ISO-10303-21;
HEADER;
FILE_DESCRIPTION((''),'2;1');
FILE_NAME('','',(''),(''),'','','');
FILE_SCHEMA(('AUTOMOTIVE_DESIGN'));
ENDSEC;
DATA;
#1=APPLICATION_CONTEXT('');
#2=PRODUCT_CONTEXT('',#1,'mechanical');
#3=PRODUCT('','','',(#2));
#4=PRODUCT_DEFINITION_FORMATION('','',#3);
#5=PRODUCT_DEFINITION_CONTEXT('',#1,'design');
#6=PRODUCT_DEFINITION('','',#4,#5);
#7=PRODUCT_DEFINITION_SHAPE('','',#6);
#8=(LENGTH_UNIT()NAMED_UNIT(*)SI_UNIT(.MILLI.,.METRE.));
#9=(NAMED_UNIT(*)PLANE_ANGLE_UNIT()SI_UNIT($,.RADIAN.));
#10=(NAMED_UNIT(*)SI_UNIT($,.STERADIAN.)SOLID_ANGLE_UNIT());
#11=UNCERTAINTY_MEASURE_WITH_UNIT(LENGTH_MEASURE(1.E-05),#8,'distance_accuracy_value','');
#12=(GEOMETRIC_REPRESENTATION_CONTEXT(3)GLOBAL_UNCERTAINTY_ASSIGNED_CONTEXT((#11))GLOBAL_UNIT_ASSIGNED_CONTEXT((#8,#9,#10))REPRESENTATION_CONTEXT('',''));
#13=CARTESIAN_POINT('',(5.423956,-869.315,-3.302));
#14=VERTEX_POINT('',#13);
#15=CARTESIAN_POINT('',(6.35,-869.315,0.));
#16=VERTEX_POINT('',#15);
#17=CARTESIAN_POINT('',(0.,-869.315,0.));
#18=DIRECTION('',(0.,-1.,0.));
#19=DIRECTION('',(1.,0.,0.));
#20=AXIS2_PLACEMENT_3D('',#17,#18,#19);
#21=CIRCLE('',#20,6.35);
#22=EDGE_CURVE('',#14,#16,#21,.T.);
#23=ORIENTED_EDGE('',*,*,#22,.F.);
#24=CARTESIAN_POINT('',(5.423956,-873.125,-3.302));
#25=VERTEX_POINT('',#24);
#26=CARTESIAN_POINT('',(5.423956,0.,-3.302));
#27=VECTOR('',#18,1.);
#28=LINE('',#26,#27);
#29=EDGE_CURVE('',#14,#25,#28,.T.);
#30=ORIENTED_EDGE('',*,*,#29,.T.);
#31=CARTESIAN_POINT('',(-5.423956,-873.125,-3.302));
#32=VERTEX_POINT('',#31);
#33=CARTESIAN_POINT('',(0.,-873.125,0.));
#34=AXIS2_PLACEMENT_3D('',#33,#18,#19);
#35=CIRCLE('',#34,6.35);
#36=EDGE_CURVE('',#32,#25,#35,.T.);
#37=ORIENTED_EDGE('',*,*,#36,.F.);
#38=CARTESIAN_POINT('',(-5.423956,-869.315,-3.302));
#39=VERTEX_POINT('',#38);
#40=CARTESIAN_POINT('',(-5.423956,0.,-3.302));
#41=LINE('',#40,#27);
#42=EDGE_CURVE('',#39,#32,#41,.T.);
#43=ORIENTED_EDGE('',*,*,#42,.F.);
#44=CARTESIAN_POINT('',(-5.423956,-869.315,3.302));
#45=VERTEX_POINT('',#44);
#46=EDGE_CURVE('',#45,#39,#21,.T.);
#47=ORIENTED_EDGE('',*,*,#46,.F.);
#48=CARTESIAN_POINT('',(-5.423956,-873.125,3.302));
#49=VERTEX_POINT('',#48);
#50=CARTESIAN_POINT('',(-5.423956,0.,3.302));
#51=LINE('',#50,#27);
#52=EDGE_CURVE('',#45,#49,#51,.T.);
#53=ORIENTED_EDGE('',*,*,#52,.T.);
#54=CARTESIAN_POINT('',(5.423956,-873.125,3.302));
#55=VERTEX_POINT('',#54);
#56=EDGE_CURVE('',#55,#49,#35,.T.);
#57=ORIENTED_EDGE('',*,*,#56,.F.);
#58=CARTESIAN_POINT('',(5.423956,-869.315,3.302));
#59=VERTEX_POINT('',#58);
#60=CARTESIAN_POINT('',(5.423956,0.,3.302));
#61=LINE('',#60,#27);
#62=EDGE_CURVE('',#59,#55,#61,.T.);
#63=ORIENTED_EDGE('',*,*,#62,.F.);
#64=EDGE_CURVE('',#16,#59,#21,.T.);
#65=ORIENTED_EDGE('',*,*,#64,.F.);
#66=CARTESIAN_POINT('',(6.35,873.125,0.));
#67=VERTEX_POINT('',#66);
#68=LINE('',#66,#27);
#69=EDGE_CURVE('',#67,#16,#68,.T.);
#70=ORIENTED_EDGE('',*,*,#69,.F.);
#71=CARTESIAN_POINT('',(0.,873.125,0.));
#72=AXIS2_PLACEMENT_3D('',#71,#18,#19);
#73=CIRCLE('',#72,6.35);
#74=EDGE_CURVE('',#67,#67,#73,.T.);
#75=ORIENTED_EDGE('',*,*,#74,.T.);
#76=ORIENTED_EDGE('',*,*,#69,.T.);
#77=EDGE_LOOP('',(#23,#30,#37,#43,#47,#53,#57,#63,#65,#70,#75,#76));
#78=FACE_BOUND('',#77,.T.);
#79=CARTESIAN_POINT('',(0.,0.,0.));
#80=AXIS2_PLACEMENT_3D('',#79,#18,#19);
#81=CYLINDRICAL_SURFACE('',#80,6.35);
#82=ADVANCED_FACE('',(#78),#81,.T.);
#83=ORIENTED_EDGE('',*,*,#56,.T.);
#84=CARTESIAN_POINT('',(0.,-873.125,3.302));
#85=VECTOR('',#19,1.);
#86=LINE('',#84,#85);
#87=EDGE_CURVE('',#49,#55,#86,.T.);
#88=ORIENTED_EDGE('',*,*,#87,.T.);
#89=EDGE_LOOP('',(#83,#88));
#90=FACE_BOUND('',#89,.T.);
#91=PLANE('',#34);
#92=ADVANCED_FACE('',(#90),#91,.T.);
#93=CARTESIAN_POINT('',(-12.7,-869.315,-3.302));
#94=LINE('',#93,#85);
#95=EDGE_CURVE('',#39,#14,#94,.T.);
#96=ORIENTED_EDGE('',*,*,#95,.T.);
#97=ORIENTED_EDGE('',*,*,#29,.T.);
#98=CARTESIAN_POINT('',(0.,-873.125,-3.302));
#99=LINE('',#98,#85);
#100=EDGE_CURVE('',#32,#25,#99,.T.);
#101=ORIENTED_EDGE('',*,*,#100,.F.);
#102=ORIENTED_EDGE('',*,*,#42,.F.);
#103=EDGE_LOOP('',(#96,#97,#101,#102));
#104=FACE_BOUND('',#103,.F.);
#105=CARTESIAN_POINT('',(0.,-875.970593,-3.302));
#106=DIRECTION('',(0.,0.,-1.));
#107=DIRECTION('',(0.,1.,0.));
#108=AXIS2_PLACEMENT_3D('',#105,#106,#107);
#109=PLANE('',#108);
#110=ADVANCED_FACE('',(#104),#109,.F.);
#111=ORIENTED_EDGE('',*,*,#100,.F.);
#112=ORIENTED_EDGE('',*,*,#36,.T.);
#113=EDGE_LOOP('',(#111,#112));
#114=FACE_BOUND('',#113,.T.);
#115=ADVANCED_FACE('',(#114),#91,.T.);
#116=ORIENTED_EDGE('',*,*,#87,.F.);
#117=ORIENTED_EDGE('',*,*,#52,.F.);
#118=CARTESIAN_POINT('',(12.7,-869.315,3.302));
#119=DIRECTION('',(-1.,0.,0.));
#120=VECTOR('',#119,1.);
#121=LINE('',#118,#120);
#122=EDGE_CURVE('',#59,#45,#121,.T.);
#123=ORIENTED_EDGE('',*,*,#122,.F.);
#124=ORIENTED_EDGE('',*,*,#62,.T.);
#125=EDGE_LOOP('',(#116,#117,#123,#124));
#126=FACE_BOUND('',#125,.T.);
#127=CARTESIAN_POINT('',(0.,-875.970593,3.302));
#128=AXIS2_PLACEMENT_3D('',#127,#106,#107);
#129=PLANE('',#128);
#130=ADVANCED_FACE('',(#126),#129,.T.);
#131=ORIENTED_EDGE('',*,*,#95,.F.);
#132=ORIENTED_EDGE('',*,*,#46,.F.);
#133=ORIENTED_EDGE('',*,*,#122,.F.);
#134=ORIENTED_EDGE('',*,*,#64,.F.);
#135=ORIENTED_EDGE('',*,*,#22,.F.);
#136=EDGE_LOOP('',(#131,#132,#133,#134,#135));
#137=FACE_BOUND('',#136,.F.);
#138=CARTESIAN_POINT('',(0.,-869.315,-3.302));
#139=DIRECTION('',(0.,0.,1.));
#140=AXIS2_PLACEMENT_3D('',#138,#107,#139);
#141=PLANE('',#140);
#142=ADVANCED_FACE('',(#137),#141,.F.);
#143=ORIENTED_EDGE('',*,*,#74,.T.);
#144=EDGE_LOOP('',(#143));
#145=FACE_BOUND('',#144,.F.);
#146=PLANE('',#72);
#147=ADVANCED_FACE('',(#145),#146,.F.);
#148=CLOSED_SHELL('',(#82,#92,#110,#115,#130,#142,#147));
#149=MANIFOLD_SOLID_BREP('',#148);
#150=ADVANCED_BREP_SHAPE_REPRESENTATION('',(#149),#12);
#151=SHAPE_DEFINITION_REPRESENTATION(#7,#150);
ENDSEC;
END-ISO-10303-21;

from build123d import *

# Parameters (mm, degrees)
F0_R     = 6.35
F1_DEPTH = 873.125
F2_W     = 6.6555930256
F2_H     = 6.604
F3_DEPTH = 12.7


with BuildPart() as f1:
    # F0 (on Front) → F1 (new body, symmetric)
    with BuildSketch(Plane.XZ):
        Circle(F0_R)
    extrude(amount=F1_DEPTH, both=True)

    # F2 (on Right) → F3 (cut, symmetric)
    with BuildSketch(Plane.YZ):
        with Locations((-872.6427965128, 0)):
            Rectangle(F2_W, F2_H)
    extrude(amount=F3_DEPTH, both=True, mode=Mode.SUBTRACT)


solid = f1.part
